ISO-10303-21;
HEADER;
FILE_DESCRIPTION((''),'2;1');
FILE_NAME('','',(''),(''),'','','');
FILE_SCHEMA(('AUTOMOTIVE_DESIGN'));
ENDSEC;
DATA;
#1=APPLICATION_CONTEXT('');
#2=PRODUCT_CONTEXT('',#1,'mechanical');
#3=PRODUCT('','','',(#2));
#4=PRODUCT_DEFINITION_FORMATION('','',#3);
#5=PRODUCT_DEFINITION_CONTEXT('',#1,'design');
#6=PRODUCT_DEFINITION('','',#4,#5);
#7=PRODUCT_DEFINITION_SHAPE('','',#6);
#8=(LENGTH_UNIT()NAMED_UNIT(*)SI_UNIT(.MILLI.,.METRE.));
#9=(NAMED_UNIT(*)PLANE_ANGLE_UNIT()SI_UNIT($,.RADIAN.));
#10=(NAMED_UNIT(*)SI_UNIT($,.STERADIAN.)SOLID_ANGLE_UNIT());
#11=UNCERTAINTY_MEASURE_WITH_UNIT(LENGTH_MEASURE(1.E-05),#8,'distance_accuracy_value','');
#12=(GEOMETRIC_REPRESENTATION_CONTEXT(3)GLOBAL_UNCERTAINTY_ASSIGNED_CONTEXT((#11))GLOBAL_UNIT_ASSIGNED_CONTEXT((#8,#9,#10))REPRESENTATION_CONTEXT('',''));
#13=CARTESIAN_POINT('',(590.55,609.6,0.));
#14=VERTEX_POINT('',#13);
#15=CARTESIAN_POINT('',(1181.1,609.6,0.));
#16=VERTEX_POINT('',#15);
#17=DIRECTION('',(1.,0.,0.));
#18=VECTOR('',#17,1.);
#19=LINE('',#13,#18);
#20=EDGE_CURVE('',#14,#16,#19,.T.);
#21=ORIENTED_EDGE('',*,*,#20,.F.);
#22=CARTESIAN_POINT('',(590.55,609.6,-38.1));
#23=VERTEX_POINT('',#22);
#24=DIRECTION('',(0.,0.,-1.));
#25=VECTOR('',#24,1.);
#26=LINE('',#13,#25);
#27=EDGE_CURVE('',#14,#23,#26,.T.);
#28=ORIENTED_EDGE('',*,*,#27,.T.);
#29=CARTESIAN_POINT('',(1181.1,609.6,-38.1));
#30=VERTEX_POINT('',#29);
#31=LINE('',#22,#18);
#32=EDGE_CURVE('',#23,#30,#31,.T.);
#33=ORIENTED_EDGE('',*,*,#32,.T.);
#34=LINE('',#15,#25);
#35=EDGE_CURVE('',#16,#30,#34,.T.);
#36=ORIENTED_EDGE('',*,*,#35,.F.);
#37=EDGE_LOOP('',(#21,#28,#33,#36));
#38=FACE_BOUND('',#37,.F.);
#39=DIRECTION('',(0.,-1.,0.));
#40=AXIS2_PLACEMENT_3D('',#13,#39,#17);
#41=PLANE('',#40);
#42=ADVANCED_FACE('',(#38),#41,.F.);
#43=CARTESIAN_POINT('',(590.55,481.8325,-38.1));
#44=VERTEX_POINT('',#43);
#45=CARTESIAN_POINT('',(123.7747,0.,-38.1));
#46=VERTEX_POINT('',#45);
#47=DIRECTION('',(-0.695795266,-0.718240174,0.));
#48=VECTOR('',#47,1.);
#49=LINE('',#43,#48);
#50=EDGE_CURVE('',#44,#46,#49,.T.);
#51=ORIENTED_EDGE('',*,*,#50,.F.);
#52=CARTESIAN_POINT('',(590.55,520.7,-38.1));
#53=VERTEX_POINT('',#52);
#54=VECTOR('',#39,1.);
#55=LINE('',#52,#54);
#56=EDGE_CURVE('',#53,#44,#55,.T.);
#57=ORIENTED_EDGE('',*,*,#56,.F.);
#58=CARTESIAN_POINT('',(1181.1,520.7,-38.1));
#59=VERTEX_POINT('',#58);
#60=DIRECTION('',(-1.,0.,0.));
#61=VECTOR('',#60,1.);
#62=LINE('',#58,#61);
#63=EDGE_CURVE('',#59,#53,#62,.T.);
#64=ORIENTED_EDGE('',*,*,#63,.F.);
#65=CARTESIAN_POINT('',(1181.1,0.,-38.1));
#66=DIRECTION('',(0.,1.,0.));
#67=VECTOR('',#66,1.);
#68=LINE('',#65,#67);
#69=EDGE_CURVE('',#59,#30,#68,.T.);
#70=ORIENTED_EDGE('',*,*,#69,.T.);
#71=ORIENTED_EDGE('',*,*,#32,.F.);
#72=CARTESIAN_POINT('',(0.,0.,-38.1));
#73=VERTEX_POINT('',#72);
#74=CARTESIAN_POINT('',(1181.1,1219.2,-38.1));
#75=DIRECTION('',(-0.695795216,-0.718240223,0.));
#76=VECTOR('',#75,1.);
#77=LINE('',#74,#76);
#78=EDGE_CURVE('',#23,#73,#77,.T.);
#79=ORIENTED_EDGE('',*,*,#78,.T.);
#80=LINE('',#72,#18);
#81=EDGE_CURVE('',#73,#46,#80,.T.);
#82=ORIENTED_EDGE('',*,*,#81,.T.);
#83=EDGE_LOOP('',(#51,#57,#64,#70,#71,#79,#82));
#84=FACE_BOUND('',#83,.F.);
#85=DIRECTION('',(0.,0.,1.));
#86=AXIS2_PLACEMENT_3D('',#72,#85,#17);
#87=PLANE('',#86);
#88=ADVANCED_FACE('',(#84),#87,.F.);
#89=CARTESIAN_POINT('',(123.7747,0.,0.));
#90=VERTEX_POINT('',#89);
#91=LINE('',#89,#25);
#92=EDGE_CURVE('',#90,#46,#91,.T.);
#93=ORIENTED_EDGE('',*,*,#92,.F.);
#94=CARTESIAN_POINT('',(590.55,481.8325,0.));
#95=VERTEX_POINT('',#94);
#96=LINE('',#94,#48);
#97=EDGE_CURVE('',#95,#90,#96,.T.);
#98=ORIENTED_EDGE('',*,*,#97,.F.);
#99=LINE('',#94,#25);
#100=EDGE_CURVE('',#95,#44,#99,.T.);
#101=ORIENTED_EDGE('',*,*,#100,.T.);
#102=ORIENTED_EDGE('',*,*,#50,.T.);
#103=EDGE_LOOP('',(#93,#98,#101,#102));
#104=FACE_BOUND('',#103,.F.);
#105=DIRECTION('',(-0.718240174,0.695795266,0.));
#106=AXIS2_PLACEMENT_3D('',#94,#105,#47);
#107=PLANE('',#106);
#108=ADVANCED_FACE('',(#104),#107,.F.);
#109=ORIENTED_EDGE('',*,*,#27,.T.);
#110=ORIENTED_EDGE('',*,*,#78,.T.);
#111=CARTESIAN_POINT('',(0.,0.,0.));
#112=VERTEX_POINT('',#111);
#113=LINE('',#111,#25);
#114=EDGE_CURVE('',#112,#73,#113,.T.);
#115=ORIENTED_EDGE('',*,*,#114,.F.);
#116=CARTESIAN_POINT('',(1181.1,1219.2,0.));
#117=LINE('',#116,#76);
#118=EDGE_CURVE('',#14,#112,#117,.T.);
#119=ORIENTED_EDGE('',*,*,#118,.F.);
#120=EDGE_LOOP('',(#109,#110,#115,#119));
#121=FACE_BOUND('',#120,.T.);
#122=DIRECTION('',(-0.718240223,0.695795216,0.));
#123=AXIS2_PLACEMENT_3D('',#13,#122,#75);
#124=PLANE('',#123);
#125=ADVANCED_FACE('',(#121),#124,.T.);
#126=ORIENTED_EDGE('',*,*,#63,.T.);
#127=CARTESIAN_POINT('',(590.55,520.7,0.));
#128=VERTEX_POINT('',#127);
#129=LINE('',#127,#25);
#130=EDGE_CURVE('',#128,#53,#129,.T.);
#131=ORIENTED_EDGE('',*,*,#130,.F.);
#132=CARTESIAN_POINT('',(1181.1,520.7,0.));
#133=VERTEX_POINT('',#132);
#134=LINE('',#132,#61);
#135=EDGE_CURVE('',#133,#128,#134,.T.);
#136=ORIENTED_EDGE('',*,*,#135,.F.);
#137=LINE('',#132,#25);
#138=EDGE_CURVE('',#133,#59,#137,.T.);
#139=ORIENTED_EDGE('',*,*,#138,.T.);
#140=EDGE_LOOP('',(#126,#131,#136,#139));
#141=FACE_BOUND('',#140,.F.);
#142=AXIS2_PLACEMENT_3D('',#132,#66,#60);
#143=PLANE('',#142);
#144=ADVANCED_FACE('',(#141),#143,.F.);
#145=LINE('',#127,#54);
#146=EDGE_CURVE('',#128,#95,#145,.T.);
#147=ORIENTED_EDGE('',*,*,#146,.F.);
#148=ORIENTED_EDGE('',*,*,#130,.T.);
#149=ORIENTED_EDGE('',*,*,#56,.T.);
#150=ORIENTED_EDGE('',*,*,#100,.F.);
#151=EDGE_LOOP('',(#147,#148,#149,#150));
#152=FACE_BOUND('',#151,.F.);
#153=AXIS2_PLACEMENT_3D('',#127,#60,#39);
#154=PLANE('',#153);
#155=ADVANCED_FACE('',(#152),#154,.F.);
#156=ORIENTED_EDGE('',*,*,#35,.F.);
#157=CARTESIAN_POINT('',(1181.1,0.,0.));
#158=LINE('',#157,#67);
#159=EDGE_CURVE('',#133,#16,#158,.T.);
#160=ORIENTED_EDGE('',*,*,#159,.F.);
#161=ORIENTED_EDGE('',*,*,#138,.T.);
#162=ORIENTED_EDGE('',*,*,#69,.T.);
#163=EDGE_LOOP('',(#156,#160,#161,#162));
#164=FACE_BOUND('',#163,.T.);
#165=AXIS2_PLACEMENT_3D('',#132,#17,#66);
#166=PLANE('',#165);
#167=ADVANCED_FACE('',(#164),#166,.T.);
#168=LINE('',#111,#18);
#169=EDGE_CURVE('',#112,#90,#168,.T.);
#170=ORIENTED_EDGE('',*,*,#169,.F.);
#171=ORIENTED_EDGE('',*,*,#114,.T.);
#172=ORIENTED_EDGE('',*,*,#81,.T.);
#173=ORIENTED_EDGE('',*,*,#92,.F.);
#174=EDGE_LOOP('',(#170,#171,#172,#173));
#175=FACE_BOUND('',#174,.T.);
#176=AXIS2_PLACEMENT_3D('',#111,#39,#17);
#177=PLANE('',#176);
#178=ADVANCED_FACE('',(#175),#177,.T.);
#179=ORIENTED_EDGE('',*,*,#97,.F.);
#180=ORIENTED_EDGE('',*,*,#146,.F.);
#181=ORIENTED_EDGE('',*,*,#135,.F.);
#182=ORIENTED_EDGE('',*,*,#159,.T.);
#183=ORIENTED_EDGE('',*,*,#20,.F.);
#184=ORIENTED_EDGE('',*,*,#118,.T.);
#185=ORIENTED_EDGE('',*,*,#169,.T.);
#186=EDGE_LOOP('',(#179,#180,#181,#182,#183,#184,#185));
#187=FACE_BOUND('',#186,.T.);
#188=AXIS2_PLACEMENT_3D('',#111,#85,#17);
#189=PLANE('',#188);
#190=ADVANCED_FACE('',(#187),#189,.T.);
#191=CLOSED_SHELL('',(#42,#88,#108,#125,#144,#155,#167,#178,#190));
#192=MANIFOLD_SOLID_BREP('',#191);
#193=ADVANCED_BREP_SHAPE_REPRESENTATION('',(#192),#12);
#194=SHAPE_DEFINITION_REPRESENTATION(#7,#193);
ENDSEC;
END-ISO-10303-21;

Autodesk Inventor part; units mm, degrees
ref_plane "YZ Plane" through (0, 0, 0) normal (1, 0, 0) x (0, 1, 0)
ref_plane "XZ Plane" through (0, 0, 0) normal (0, 1, 0) x (-1, 0, 0)
ref_plane "XY Plane" through (0, 0, 0) normal (0, 0, 1) x (1, 0, 0)
sketch "Sketch1" plane through (0, 0, 0) normal (0, 0, 1) x (1, 0, 0)
  line L0 (0, 0) -> (1219.2, 0) projected
  line L1 (1181.1, 0) -> (1181.1, 609.6) projected
  line L2 (1181.1, 1219.2) -> (0, 0) projected
  line L3 (0, 0) -> (590.55, 609.6)
  line L4 (590.55, 520.7) -> (590.55, 481.8325)
  line L5 (590.55, 481.8325) -> (123.7747, 0)
  line L6 (590.55, 609.6) -> (1181.1, 609.6)
  line L7 (1181.1, 520.7) -> (590.55, 520.7)
  dimension "d0" = 88.9
  dimension "d1" = 88.9
extrude "Extrusion1" add sketch "Sketch1" against normal blind 38.1 contours L2 L6 L1 L7 L4 L5 L0
properties part number "side-side1"
